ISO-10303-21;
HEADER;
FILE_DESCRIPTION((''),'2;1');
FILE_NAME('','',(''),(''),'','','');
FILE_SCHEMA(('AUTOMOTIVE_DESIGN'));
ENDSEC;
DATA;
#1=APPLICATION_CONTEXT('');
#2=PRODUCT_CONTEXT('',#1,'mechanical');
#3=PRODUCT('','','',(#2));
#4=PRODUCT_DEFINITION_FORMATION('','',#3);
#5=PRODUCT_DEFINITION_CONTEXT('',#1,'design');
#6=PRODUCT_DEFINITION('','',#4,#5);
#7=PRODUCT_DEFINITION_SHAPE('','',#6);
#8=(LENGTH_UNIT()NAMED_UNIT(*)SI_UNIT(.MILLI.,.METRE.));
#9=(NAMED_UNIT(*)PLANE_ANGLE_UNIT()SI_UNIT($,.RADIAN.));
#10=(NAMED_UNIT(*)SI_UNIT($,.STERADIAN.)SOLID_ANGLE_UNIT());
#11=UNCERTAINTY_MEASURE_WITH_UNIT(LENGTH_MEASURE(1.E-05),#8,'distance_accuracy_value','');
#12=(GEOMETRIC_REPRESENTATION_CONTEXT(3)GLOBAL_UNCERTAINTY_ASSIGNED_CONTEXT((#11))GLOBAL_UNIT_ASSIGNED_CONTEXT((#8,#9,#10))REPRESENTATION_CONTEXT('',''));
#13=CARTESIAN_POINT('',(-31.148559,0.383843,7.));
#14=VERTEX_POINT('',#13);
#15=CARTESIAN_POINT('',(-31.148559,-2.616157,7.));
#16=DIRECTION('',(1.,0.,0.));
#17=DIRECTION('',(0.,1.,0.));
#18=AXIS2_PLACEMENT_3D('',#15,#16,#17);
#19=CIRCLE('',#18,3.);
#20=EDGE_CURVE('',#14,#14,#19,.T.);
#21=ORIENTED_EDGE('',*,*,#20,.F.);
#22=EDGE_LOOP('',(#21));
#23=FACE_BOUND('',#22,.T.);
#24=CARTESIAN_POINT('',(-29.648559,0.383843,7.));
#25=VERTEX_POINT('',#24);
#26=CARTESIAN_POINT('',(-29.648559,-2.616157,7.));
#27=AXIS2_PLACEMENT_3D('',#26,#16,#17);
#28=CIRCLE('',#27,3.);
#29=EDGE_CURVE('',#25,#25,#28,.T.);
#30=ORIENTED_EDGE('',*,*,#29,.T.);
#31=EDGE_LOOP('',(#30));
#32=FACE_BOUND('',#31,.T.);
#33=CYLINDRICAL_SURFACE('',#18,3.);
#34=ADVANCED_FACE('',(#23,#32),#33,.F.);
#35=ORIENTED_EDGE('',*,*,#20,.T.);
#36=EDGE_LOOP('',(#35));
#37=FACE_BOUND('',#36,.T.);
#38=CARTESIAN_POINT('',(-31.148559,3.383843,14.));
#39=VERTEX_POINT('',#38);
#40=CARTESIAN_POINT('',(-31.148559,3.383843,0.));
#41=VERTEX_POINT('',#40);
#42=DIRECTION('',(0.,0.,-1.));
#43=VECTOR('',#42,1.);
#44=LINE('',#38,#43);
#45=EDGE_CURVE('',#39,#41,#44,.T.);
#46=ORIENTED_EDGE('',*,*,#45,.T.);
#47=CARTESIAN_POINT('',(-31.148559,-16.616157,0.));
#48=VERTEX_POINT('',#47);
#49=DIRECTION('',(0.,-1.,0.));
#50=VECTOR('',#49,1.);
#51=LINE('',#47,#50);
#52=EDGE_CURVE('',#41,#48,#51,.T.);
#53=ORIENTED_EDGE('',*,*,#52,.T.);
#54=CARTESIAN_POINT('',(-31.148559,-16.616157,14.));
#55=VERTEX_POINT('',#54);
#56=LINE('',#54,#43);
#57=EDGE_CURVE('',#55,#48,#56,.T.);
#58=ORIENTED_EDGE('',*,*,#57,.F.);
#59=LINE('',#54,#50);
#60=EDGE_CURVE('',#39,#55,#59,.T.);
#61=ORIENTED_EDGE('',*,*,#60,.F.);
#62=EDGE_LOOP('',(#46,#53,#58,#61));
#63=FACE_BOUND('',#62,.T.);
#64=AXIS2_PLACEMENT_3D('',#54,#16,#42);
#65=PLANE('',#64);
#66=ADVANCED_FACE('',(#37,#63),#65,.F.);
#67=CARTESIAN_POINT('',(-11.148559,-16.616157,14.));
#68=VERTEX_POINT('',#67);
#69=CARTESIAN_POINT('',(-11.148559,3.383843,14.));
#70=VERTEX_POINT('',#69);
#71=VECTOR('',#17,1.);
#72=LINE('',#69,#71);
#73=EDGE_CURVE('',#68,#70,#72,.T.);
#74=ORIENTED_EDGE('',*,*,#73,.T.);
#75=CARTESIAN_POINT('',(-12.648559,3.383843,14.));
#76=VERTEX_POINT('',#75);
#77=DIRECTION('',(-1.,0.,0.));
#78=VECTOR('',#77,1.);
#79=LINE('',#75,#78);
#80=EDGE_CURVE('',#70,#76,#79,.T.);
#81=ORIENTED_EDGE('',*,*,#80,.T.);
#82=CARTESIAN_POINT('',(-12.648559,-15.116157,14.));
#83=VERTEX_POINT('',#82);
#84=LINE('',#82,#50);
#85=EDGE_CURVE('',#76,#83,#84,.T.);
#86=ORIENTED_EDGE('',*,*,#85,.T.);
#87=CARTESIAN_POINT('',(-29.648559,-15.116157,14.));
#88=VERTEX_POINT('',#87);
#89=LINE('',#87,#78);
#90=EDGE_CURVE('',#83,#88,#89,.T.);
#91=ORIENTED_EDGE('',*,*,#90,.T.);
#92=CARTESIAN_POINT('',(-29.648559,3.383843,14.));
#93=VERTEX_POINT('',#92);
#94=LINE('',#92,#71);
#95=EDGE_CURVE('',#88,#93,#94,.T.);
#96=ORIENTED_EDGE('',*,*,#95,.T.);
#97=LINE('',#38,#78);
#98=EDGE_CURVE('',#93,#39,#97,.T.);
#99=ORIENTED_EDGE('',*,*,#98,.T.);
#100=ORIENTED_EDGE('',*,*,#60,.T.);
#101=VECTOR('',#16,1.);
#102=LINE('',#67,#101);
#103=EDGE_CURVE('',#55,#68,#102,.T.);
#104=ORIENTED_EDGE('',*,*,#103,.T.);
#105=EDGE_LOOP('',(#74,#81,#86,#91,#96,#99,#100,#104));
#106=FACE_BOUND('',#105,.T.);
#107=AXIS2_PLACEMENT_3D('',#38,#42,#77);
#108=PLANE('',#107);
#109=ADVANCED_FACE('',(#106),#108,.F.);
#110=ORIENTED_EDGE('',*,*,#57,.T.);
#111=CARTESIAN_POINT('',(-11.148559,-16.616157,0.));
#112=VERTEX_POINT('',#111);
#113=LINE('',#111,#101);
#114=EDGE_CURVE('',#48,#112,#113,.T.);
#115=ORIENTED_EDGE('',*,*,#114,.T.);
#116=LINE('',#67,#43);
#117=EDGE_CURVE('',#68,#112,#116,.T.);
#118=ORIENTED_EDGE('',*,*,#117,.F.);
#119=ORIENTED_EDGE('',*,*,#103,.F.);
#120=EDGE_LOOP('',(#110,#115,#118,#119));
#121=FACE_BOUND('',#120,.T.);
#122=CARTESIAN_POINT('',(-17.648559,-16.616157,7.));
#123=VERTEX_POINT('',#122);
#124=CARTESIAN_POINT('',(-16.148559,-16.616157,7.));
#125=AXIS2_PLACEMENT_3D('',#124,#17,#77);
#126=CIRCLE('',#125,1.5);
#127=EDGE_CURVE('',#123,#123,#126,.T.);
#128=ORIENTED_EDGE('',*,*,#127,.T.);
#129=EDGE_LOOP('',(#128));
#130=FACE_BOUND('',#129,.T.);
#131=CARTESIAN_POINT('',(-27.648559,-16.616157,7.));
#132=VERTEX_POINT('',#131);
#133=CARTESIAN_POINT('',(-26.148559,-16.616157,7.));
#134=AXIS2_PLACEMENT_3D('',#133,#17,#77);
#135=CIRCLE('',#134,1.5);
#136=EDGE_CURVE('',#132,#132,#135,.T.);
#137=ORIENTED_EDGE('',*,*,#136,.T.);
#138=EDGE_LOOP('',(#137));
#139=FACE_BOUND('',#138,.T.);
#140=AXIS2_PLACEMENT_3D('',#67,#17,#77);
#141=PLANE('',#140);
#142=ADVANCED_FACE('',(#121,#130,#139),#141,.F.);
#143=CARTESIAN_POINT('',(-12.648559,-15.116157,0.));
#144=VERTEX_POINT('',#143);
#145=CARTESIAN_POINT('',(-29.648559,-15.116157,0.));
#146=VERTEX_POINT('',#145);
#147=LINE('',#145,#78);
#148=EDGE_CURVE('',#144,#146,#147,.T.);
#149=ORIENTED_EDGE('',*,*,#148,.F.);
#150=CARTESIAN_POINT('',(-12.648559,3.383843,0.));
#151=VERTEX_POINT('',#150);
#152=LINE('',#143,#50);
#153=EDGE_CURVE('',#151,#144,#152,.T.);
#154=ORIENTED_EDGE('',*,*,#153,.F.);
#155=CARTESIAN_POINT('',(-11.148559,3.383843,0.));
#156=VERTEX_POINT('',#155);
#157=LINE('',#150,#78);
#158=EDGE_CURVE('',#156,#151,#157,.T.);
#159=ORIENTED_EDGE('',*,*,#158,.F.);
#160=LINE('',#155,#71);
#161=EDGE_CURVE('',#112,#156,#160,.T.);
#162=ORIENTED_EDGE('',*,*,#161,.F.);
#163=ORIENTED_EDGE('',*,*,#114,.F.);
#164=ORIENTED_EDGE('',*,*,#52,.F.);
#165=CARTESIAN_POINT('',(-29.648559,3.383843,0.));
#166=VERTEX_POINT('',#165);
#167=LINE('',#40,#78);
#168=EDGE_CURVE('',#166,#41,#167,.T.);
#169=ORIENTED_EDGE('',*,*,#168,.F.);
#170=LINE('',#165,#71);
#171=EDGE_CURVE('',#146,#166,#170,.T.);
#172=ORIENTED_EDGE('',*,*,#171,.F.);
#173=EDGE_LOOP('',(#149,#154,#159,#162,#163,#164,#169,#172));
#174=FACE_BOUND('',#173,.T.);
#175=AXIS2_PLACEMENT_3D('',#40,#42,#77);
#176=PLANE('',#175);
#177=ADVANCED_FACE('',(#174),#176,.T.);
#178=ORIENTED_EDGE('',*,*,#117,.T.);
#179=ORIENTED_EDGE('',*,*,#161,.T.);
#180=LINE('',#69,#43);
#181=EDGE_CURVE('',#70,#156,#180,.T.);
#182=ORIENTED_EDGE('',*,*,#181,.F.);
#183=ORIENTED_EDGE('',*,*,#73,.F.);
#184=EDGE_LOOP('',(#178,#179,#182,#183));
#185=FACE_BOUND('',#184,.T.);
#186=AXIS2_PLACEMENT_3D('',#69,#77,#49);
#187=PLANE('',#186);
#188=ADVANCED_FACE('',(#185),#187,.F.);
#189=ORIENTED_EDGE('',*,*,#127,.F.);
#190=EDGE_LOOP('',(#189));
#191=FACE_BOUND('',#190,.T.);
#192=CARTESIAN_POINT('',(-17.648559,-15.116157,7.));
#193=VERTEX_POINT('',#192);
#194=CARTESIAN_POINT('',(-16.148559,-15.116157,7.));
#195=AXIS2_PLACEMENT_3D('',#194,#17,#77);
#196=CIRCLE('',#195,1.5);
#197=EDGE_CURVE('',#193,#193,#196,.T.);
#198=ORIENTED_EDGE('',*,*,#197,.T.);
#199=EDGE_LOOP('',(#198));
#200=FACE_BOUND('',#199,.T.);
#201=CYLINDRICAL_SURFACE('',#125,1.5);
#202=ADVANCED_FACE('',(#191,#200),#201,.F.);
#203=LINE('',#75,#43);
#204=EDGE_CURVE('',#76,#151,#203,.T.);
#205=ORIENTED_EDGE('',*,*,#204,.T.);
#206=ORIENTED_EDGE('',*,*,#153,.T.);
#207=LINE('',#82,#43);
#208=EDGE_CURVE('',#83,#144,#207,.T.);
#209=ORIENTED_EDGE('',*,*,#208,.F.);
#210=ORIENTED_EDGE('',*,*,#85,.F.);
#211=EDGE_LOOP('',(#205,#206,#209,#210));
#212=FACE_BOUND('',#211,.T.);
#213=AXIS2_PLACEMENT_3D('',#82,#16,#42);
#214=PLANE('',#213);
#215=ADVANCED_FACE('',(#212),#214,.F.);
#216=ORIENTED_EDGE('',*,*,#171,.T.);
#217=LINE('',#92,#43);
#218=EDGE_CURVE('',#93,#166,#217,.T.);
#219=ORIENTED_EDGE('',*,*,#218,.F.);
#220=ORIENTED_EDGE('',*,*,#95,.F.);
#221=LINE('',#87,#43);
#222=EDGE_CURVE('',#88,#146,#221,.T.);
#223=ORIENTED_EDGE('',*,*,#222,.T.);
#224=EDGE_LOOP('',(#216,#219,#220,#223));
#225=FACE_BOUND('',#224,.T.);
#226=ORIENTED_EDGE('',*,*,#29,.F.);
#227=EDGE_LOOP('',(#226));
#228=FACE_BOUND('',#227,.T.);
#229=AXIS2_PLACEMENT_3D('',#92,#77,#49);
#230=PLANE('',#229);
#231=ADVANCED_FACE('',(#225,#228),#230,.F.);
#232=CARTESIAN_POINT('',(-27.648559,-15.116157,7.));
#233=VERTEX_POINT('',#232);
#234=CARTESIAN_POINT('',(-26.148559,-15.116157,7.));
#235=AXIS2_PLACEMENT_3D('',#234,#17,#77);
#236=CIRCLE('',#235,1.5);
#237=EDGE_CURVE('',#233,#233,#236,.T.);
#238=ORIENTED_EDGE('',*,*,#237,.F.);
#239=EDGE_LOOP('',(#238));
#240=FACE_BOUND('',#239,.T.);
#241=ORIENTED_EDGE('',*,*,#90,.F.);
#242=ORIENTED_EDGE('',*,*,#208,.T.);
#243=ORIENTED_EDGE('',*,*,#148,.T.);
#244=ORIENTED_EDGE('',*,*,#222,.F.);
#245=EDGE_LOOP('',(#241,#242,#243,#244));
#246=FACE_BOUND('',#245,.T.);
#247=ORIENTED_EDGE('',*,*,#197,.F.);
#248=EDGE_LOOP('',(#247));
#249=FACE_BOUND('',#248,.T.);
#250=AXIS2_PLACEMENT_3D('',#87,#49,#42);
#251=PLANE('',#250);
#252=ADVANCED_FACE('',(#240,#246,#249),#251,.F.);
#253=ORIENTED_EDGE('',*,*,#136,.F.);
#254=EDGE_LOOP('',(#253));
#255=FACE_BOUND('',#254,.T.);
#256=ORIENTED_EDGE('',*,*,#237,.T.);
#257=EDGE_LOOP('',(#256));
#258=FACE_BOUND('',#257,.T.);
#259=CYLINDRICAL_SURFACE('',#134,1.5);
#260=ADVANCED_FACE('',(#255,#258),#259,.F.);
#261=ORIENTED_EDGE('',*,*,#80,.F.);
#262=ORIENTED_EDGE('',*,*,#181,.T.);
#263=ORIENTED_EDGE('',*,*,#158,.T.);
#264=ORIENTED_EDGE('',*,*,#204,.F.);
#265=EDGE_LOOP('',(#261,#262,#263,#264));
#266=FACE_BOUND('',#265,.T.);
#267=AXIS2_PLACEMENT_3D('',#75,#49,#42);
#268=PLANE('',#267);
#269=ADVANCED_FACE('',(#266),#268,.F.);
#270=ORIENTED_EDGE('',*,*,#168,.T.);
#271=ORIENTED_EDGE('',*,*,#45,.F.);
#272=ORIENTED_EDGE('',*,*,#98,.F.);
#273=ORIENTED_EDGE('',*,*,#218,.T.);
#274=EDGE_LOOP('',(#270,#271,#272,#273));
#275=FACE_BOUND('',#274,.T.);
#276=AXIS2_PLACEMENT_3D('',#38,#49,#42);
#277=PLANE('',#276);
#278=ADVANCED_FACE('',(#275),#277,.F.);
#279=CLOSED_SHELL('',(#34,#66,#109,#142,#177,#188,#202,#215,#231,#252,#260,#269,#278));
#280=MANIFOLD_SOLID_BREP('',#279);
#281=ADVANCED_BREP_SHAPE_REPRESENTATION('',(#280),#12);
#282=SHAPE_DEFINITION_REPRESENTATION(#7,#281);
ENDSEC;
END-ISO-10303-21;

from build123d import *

# Parameters (mm, degrees)
EXTRUSION1_DEPTH = 14
ESQUISSE2_R      = 1.5
EXTRUSION2_DEPTH = 39.83919024
ESQUISSE4_R      = 3
EXTRUSION3_DEPTH = 29.536760028


with BuildPart() as part:
    # Esquisse1 → Extrusion1 (new body)
    with BuildSketch(Plane.XY):
        Polygon((-31.14855853, 3.383843017), (-29.64855853, 3.383843017), (-29.64855853, -15.116156983), (-12.64855853, -15.116156983), (-12.64855853, 3.383843017), (-11.14855853, 3.383843017), (-11.14855853, -16.616156983), (-31.14855853, -16.616156983), align=None)
    extrude(amount=EXTRUSION1_DEPTH)

    # Esquisse2 → Extrusion2 (cut, through all)
    with BuildSketch(Plane(origin=(0, -15.116156983, 0), x_dir=(-1, 0, 0), z_dir=(0, 1, 0))):
        with Locations((26.14855853, 7)):
            Circle(ESQUISSE2_R)
        with Locations((16.14855853, 7)):
            Circle(ESQUISSE2_R)
    extrude(amount=-EXTRUSION2_DEPTH, mode=Mode.SUBTRACT)

    # Esquisse4 → Extrusion3 (cut, through all)
    with BuildSketch(Plane(origin=(-29.64855853, 0, 0), x_dir=(0, 0, -1), z_dir=(1, 0, 0))):
        with Locations(Location((-7, -2.616156983, 0), (0, 0, 90))):
            Circle(ESQUISSE4_R)
    extrude(amount=-EXTRUSION3_DEPTH, mode=Mode.SUBTRACT)


solid = part.part
